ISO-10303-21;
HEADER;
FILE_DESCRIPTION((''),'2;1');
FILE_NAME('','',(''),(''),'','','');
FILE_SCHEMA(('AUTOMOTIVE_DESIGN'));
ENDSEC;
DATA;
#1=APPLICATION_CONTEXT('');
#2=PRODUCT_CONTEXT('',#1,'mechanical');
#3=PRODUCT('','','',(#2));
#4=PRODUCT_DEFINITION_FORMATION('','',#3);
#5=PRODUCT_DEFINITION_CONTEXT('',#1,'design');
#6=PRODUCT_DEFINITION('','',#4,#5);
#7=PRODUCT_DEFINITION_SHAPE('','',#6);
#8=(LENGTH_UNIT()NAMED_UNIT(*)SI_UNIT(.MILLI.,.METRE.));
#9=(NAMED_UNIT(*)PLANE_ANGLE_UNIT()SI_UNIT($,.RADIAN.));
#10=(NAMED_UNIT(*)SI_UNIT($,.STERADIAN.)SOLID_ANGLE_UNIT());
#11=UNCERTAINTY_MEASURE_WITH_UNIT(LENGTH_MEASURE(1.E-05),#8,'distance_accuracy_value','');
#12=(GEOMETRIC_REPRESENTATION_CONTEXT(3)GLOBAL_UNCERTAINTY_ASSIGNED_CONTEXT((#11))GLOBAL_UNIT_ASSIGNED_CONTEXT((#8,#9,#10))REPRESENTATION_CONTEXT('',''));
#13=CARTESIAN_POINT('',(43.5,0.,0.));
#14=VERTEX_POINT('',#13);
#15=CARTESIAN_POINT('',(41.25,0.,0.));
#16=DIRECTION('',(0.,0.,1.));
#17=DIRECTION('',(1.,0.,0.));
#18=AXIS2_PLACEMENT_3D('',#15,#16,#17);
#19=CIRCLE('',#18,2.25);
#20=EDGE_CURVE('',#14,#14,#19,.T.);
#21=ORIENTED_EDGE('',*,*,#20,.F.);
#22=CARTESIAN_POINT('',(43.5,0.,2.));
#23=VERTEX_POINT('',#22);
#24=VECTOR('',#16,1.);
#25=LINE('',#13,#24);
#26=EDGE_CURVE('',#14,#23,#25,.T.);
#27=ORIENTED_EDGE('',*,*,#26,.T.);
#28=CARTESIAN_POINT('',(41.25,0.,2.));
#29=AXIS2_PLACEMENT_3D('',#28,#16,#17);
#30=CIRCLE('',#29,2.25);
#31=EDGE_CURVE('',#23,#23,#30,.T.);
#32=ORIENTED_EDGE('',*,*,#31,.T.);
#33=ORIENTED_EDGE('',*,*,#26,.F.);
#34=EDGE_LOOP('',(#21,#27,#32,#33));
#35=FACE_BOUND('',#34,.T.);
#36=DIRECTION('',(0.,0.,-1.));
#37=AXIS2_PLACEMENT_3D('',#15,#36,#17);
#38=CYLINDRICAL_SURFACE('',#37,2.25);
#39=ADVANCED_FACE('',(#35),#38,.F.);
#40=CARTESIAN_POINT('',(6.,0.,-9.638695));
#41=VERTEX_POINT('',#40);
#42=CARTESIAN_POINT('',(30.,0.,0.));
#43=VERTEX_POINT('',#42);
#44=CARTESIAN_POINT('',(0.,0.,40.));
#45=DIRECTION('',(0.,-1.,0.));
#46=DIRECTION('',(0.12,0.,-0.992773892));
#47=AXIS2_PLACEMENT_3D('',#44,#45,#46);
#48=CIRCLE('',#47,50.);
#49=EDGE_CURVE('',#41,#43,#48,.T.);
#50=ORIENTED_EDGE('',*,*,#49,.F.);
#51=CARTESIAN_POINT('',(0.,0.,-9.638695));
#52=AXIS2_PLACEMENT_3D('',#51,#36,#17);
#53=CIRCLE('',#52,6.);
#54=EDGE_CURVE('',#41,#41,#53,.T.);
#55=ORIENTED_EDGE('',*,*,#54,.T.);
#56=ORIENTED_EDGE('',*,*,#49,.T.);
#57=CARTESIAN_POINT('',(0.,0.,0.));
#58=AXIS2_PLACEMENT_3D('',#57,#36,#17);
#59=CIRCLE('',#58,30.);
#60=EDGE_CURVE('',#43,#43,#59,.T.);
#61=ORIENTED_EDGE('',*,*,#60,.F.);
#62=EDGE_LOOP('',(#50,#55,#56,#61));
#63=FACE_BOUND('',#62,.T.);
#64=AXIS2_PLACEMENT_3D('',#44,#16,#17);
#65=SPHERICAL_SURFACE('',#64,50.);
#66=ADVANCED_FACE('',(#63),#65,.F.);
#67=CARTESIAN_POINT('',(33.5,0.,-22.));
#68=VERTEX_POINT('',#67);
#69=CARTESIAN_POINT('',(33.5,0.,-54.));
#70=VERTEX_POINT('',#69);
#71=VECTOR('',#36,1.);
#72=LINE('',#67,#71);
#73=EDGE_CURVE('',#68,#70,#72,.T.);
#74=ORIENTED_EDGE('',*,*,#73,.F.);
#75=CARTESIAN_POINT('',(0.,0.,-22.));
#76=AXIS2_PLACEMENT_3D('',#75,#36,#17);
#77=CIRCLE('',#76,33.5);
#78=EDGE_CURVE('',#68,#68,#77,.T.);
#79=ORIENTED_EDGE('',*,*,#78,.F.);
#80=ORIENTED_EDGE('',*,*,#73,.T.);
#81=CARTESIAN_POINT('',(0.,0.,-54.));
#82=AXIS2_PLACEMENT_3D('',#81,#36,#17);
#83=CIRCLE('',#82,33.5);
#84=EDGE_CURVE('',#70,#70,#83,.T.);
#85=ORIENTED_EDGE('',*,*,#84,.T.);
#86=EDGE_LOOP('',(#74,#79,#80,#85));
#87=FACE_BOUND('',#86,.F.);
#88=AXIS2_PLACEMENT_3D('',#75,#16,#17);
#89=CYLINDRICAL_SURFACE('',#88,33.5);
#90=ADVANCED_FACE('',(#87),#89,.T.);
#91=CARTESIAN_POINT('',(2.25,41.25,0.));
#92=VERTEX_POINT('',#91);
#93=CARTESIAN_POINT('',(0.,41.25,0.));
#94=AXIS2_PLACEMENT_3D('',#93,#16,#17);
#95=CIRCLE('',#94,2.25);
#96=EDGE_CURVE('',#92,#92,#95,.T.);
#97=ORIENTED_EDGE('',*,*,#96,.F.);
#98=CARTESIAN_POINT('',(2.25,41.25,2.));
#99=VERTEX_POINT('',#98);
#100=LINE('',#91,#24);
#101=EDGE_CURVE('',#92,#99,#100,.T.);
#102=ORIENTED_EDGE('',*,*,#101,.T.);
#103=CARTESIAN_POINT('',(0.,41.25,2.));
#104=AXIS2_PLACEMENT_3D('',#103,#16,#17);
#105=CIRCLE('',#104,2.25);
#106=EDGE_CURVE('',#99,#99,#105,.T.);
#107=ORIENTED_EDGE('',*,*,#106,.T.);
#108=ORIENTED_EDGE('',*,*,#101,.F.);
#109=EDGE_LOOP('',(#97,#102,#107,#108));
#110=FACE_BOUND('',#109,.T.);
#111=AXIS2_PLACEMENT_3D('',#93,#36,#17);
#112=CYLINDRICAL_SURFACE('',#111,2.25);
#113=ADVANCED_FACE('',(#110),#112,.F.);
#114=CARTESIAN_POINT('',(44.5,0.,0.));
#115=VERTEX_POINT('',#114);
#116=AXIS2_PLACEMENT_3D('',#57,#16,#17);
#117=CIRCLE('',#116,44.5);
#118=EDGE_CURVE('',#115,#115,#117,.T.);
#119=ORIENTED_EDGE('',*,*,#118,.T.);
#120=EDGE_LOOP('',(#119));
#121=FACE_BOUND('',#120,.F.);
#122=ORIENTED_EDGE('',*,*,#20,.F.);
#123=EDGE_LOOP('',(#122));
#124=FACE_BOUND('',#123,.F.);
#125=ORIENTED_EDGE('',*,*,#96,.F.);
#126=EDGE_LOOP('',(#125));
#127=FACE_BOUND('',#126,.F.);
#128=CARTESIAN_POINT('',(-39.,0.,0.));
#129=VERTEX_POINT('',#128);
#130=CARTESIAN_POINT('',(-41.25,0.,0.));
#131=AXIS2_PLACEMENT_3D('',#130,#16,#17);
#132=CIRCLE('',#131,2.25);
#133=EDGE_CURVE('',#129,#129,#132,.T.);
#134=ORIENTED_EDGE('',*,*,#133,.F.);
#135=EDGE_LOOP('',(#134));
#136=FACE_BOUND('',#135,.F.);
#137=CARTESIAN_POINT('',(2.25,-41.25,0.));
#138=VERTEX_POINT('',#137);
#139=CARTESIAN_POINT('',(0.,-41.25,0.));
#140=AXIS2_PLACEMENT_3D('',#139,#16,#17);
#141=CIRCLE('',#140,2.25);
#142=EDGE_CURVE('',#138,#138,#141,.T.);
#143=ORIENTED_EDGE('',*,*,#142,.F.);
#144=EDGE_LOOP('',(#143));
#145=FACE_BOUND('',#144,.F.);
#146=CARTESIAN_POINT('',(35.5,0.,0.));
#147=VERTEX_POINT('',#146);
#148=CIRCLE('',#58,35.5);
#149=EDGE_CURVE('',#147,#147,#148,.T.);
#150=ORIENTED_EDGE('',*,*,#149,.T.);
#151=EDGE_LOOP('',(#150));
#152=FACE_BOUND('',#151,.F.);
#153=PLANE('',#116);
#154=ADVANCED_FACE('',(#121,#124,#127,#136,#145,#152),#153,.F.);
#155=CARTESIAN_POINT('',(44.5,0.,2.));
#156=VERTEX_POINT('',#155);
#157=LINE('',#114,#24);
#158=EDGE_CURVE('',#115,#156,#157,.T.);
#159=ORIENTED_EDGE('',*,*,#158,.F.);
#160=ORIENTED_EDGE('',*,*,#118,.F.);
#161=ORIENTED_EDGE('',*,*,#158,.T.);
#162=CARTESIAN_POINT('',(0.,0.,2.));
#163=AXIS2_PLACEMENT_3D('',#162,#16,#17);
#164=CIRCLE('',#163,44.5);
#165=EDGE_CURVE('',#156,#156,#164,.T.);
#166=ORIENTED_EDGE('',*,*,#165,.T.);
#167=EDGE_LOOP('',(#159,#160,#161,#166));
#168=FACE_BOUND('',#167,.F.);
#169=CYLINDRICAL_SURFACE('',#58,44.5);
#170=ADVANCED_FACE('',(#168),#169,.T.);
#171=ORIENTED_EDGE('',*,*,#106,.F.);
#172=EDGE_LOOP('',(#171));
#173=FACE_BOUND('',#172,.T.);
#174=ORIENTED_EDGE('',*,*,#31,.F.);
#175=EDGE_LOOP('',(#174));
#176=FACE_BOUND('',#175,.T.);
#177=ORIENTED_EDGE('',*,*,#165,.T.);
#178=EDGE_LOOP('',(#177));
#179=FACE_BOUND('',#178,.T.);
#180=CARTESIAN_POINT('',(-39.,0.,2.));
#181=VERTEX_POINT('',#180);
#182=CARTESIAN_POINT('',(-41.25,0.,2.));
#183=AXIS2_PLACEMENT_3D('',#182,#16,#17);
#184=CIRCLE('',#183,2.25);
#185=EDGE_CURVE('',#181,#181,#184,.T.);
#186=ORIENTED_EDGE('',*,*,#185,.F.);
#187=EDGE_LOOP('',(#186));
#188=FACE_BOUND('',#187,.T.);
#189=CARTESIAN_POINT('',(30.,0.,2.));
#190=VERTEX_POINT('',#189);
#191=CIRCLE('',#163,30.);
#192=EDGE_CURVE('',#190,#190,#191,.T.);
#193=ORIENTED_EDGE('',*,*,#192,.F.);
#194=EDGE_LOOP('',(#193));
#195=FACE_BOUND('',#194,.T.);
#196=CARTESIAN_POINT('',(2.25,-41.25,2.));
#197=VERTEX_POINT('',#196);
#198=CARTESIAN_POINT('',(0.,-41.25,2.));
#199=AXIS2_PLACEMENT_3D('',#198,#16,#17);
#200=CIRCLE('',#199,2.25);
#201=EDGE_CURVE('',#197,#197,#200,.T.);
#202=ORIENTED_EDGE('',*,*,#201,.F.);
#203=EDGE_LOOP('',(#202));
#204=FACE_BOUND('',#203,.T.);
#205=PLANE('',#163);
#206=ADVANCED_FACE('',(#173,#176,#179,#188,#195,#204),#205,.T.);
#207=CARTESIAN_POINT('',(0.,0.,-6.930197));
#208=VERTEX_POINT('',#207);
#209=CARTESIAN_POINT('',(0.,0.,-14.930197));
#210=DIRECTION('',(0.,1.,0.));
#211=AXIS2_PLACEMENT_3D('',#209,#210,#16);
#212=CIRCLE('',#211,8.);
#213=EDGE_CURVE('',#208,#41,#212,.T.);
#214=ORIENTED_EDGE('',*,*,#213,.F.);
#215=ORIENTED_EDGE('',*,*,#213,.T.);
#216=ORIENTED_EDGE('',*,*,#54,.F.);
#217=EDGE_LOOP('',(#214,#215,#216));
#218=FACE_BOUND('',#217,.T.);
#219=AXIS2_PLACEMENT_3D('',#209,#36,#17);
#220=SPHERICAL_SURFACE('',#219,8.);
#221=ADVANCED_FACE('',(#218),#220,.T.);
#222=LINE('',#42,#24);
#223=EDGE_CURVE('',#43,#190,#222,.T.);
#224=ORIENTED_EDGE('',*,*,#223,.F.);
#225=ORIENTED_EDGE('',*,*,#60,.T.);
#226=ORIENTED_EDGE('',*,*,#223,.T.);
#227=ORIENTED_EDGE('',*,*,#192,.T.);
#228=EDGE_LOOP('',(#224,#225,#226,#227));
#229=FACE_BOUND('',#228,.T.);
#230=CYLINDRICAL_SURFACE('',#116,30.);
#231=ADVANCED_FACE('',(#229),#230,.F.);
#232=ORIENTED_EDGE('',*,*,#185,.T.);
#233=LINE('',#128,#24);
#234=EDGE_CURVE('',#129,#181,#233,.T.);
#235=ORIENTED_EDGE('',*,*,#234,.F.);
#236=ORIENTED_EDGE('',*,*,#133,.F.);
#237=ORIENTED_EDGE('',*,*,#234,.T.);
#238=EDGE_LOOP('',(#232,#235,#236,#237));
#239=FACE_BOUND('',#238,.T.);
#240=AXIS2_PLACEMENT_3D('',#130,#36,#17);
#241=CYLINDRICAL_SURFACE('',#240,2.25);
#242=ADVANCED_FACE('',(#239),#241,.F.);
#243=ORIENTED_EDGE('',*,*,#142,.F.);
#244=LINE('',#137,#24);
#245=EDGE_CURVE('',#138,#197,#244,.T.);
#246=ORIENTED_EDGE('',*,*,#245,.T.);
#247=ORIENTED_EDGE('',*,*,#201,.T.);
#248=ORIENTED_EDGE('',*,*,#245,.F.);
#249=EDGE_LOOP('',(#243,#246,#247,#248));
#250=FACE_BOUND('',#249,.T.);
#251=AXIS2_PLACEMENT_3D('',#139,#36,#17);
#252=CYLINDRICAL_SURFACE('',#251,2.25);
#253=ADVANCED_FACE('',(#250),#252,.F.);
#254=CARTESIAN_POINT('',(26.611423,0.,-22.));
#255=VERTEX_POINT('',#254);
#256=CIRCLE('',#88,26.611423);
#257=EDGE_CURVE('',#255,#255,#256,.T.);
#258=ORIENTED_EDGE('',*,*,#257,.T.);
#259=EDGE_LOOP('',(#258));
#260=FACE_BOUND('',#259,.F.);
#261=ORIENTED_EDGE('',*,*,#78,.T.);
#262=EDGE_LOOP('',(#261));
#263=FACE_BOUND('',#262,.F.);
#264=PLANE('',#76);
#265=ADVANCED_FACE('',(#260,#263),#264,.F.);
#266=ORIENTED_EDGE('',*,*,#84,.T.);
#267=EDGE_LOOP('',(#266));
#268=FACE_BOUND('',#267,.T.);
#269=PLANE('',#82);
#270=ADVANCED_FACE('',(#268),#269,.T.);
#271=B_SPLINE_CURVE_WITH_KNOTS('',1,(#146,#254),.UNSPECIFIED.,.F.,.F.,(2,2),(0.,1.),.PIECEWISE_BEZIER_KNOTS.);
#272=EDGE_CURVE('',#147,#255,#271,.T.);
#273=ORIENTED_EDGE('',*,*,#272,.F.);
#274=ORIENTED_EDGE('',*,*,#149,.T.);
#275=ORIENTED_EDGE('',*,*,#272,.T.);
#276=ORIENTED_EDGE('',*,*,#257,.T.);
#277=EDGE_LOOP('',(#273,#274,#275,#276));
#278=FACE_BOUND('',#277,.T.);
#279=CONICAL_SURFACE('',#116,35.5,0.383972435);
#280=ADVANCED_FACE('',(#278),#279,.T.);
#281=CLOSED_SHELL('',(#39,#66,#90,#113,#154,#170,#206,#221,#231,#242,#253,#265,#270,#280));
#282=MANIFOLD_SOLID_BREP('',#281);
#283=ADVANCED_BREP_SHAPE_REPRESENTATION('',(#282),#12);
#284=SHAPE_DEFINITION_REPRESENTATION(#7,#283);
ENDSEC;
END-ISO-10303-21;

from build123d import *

# Parameters (mm, degrees)
F0_R     = 44.5
F0_R_2   = 2.25
F1_DEPTH = 2
F2_R     = 35.5
F3_DEPTH = 22
F3_TAPER = 22
F4_R     = 33.5
F4_R_2   = 26.6114230316
F5_DEPTH = 32


with BuildPart() as f1:
    # F0 (on Top) → F1 (new body)
    with BuildSketch(Plane.XY):
        Circle(F0_R)
        with Locations((0, -41.25)):
            Circle(F0_R_2, mode=Mode.SUBTRACT)
        with Locations((-41.25, 0)):
            Circle(F0_R_2, mode=Mode.SUBTRACT)
        with Locations((41.25, 0)):
            Circle(F0_R_2, mode=Mode.SUBTRACT)
        with Locations((0, 41.25)):
            Circle(F0_R_2, mode=Mode.SUBTRACT)
    extrude(amount=F1_DEPTH)

    # F2 (on face) → F3 (join)
    with BuildSketch(Plane(origin=(0, 0, 0), x_dir=(1, 0, 0), z_dir=(0, 0, -1))):
        Circle(F2_R)
    extrude(amount=F3_DEPTH, taper=F3_TAPER)

    # F4 (on face) → F5 (join)
    with BuildSketch(Plane(origin=(0, 0, -22), x_dir=(1, 0, 0), z_dir=(0, 0, -1))):
        Circle(F4_R)
        Circle(F4_R_2, mode=Mode.SUBTRACT)
        Circle(F4_R_2)
    extrude(amount=F5_DEPTH)

    # F6 (on Front) → F7 (revolve, cut)
    with BuildSketch(Plane.XZ):
        with BuildLine():
            Line((0, 0), (0, -6.9301972061))
            ThreePointArc((0, -6.9301972061), (3.2915026221, -7.638694584), (6, -9.638694584))
            ThreePointArc((6, -9.638694584), (18.6340040872, -6.3979944791), (30, 0))
            Line((30, 0), (30, 3))
            Line((30, 3), (0, 3))
            Line((0, 3), (0, 0))
        make_face()
    revolve(axis=Axis((0, 0, -5), (0, 0, -1)), mode=Mode.SUBTRACT)


solid = f1.part
